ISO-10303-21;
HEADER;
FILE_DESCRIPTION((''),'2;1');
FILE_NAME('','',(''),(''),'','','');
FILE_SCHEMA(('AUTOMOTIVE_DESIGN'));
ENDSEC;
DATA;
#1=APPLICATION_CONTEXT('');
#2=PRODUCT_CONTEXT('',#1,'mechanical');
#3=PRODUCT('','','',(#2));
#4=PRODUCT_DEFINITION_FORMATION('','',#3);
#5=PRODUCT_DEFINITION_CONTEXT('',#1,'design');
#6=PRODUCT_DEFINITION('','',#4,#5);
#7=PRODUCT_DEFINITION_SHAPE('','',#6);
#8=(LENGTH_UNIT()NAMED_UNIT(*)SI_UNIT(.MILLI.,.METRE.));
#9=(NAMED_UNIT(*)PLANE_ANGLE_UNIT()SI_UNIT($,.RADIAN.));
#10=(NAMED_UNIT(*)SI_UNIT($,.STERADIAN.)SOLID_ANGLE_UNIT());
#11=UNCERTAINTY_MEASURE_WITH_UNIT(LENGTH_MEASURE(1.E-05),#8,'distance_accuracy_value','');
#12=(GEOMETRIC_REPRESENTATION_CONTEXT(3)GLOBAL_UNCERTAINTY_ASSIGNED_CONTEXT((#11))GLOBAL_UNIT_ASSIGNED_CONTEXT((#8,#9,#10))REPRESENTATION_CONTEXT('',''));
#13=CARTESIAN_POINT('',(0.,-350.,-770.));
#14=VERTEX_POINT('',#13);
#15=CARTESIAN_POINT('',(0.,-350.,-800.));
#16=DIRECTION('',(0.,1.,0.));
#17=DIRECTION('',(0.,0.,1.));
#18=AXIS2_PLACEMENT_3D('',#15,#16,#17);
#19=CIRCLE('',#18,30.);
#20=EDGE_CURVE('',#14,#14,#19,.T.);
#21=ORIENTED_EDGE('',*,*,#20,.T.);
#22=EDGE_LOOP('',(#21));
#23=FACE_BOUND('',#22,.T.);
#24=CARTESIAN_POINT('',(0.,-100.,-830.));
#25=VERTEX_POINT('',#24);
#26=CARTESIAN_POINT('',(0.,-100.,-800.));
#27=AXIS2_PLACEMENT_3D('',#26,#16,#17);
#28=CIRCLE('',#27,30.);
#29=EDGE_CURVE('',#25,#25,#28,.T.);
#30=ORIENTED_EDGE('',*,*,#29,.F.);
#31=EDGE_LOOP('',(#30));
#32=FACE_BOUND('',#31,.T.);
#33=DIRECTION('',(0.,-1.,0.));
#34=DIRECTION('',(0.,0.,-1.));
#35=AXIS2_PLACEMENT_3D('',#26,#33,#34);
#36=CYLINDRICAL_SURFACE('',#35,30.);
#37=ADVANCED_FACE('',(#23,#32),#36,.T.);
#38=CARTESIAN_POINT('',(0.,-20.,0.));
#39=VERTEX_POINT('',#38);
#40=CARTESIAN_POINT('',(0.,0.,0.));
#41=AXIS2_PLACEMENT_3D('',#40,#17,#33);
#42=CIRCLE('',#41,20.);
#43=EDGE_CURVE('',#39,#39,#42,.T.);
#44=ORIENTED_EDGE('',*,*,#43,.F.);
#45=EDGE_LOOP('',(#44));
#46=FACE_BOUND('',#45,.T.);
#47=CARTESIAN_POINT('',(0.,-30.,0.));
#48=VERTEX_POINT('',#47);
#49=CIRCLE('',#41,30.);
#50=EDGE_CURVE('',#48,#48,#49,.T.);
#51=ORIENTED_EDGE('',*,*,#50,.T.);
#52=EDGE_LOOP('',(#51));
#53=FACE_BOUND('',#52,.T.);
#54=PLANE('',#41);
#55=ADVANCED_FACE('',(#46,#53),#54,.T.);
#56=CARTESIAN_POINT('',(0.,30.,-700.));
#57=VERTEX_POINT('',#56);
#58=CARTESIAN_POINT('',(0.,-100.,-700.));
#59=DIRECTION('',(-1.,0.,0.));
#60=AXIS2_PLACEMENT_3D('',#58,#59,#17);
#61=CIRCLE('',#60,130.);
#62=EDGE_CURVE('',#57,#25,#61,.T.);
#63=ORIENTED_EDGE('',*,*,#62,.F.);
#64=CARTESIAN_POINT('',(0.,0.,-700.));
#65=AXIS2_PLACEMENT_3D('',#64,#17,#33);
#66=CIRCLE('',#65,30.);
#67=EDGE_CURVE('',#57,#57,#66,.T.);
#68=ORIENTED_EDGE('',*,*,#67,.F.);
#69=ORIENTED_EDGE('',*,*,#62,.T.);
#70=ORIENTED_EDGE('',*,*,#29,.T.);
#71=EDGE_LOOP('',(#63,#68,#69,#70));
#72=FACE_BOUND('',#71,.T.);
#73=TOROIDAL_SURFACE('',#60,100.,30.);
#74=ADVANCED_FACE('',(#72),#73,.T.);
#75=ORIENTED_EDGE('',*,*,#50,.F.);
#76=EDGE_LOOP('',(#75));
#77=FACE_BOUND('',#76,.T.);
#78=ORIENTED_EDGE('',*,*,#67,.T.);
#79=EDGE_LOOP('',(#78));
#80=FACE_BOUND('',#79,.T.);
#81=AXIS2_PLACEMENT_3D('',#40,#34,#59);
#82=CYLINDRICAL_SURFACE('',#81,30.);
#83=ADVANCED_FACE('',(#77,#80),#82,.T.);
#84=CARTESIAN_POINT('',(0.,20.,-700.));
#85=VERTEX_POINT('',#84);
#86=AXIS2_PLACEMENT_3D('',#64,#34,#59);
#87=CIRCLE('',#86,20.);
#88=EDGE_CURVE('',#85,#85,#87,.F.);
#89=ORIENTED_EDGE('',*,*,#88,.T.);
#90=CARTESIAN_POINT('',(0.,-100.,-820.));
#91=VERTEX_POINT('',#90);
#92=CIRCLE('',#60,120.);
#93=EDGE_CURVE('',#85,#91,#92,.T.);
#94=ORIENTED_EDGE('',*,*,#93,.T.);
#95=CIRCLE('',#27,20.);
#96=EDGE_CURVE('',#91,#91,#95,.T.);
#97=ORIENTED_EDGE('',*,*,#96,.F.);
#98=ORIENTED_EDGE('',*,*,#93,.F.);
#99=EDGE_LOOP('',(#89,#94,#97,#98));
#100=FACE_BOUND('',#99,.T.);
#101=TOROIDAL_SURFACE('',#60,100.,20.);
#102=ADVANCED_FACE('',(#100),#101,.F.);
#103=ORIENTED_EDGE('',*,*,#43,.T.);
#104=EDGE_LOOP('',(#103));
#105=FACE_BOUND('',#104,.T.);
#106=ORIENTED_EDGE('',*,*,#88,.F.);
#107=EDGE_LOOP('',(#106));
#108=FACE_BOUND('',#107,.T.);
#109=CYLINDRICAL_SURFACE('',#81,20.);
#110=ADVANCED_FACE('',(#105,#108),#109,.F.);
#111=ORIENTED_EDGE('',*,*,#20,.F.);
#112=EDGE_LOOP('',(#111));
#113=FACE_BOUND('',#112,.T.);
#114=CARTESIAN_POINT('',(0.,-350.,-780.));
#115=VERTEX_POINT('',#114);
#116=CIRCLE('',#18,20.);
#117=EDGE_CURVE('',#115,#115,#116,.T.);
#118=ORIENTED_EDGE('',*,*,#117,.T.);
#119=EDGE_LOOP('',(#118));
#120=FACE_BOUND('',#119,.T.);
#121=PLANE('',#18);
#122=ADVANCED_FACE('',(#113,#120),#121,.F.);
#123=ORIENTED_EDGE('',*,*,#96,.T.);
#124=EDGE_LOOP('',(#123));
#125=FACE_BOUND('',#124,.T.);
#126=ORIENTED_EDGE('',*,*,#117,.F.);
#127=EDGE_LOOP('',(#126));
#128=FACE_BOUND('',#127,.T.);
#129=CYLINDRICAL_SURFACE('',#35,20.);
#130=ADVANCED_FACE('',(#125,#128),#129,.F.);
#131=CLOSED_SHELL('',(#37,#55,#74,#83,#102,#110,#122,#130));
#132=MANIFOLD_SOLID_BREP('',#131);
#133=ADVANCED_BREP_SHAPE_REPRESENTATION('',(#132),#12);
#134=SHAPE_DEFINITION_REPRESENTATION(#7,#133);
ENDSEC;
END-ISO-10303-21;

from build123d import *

# Parameters (mm, degrees)
SWEEP_THIN1_PROFILE_R   = 30
SWEEP_THIN1_PROFILE_R_2 = 20


with BuildPart() as part:
    # Sweep-Thin1: sweep along a path in Sketch1
    with BuildLine(Plane(origin=(0, 0, 0), x_dir=(0, 0, -1), z_dir=(1, 0, 0))) as sweep_thin1_path:
        Line((0, 0), (700, 0))
        ThreePointArc((700, 0), (770.710678119, -29.289321881), (800, -100))
        Line((800, -100), (800, -350))
    # Sweep-Thin1 profile (on start of the path) → Sweep-Thin1 (sweep)
    with BuildSketch(Plane(origin=(0, 0, 0), x_dir=(-1, 0, 0), z_dir=(0, 0, -1))):
        Circle(SWEEP_THIN1_PROFILE_R)
        Circle(SWEEP_THIN1_PROFILE_R_2, mode=Mode.SUBTRACT)
    sweep(path=sweep_thin1_path.line)


solid = part.part
